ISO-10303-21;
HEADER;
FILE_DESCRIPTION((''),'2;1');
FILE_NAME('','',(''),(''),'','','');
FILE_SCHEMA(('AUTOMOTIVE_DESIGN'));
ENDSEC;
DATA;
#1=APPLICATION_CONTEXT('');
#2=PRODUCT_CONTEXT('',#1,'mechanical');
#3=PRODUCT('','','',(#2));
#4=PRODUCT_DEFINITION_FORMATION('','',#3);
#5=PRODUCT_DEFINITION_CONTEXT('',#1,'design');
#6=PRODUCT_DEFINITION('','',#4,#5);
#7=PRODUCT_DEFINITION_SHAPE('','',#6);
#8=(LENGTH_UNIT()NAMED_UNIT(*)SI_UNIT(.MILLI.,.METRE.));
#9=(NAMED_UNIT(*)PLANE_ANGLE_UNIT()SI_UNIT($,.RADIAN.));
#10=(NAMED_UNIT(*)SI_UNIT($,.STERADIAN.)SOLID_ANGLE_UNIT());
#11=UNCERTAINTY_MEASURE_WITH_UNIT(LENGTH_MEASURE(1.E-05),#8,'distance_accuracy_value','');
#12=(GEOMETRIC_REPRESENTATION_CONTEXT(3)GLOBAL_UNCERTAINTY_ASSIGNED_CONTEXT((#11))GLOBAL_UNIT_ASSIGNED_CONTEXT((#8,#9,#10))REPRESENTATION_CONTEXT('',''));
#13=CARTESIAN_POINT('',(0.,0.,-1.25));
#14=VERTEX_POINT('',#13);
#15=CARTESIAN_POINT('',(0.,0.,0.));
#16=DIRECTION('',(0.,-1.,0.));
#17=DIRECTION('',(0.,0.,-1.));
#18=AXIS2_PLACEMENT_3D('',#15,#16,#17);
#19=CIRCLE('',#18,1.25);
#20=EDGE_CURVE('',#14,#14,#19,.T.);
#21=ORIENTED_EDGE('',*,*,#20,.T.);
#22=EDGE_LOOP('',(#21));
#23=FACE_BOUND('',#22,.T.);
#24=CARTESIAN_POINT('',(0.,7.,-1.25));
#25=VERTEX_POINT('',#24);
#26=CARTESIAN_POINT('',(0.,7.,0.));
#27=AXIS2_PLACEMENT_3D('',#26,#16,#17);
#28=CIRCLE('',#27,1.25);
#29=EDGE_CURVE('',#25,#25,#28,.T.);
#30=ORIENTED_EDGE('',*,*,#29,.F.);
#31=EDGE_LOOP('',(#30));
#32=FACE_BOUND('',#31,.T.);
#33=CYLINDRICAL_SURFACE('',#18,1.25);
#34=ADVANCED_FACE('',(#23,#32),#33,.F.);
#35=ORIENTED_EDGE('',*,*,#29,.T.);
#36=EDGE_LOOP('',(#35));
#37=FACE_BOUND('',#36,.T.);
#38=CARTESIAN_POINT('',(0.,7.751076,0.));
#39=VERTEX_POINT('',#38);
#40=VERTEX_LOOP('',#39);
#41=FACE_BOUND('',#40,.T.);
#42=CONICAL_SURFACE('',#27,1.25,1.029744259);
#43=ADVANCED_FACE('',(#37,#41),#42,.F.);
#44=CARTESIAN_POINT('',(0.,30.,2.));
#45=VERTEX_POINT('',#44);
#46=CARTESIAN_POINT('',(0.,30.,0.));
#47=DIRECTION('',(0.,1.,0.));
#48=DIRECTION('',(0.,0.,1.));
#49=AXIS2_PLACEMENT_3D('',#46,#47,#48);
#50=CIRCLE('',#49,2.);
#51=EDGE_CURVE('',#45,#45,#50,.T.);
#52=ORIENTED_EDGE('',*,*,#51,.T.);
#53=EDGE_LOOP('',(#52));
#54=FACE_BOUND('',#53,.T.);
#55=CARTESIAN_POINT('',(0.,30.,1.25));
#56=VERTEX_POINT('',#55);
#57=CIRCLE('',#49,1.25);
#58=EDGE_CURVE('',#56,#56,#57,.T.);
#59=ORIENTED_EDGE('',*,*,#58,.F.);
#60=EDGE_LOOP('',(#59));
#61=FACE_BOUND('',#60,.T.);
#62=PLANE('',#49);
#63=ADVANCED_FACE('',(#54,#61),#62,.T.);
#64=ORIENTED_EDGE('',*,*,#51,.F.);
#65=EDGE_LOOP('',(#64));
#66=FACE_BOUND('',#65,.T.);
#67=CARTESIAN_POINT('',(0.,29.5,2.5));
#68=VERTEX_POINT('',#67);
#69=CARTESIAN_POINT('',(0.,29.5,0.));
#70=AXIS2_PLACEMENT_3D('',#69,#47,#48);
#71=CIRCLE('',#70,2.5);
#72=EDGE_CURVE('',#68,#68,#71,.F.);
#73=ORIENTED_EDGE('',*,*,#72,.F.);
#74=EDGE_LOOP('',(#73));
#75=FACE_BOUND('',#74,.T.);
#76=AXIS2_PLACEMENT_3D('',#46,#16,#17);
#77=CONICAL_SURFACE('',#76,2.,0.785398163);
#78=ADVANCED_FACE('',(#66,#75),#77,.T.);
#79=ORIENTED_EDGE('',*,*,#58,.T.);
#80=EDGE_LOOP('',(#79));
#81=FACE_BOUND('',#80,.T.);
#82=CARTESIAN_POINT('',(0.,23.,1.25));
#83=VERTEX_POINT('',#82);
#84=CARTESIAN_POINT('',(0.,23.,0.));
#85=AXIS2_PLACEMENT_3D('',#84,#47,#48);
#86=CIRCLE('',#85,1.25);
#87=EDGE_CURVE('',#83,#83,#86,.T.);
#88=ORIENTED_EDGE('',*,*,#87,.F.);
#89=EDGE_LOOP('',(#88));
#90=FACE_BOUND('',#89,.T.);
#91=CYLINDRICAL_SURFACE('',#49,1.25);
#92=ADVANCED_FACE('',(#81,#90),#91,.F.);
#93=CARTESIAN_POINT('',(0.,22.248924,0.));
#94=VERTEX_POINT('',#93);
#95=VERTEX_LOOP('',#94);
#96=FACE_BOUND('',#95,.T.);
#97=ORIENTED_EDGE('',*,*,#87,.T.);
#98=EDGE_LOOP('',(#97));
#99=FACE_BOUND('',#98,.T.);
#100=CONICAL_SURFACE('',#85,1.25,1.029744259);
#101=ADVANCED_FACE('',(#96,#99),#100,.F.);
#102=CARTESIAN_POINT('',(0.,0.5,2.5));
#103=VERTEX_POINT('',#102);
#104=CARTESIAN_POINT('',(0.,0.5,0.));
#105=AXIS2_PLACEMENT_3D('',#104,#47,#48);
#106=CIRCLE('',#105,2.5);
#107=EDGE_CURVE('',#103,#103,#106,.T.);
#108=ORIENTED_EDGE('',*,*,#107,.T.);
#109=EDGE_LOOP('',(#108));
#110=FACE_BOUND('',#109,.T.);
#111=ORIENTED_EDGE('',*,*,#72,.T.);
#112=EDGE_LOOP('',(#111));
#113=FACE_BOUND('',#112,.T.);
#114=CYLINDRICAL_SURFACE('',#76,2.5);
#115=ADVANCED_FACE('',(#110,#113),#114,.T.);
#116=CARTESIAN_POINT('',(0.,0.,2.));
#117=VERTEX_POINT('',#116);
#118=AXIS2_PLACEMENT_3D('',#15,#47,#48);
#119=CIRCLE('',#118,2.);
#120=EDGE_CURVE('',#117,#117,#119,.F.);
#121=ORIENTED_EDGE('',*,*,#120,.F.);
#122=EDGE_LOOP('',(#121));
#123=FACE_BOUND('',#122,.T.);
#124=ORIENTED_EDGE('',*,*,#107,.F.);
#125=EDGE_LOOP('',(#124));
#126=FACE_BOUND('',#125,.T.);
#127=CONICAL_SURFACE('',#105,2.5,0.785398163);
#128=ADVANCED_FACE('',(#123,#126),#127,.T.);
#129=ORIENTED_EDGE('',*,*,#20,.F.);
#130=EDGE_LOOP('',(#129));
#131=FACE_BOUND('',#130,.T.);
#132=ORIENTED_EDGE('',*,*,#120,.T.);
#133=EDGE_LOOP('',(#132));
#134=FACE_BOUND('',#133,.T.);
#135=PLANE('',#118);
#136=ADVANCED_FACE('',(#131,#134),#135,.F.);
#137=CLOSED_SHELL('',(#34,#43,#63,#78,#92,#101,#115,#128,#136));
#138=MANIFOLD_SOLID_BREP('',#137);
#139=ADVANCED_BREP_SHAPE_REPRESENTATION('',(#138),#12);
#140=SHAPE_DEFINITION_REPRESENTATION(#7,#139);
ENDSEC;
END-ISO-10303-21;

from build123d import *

# Parameters (mm, degrees)
SKETCH1_R                 = 2.5
BOSS_EXTRUDE1_DEPTH       = 30
M3X0_5_TAPPED_HOLE1_D     = 2.5
M3X0_5_TAPPED_HOLE1_DEPTH = 7
M3X0_5_TAPPED_HOLE1_TIP   = 0.751075774
M3X0_5_TAPPED_HOLE2_D     = 2.5
M3X0_5_TAPPED_HOLE2_DEPTH = 7
M3X0_5_TAPPED_HOLE2_TIP   = 0.751075774
CHAMFER1_SIZE             = 0.5


with BuildPart() as part:
    # Sketch1 → Boss-Extrude1 (new body)
    with BuildSketch(Plane(origin=(0, 0, 0), x_dir=(1, 0, 0), z_dir=(0, 1, 0))):
        with Locations(Location((0, 0, 0), (0, 0, 270))):
            Circle(SKETCH1_R)
    extrude(amount=BOSS_EXTRUDE1_DEPTH)

    # M3x0.5 Tapped Hole1
    with Locations(Plane(origin=(0, 30, 0), x_dir=(1, 0, 0), z_dir=(0, 1, 0))):
        with Locations((0, 0)):
            Hole(M3X0_5_TAPPED_HOLE1_D / 2, depth=M3X0_5_TAPPED_HOLE1_DEPTH)
            with Locations((0, 0, -(M3X0_5_TAPPED_HOLE1_DEPTH + M3X0_5_TAPPED_HOLE1_TIP / 2))):  # 118° drill point
                Cone(0, M3X0_5_TAPPED_HOLE1_D / 2, M3X0_5_TAPPED_HOLE1_TIP, mode=Mode.SUBTRACT)

    # M3x0.5 Tapped Hole2
    with Locations(Plane(origin=(0, 0, 0), x_dir=(-1, 0, 0), z_dir=(0, -1, 0))):
        with Locations((0, 0)):
            Hole(M3X0_5_TAPPED_HOLE2_D / 2, depth=M3X0_5_TAPPED_HOLE2_DEPTH)
            with Locations((0, 0, -(M3X0_5_TAPPED_HOLE2_DEPTH + M3X0_5_TAPPED_HOLE2_TIP / 2))):  # 118° drill point
                Cone(0, M3X0_5_TAPPED_HOLE2_D / 2, M3X0_5_TAPPED_HOLE2_TIP, mode=Mode.SUBTRACT)

    # Chamfer1
    chamfer1_edges = [part.edges().sort_by_distance(p)[0] for p in [
        (0, 0, -2.5),
        (0, 30, -2.5),
    ]]
    chamfer(chamfer1_edges, length=CHAMFER1_SIZE)


solid = part.part
